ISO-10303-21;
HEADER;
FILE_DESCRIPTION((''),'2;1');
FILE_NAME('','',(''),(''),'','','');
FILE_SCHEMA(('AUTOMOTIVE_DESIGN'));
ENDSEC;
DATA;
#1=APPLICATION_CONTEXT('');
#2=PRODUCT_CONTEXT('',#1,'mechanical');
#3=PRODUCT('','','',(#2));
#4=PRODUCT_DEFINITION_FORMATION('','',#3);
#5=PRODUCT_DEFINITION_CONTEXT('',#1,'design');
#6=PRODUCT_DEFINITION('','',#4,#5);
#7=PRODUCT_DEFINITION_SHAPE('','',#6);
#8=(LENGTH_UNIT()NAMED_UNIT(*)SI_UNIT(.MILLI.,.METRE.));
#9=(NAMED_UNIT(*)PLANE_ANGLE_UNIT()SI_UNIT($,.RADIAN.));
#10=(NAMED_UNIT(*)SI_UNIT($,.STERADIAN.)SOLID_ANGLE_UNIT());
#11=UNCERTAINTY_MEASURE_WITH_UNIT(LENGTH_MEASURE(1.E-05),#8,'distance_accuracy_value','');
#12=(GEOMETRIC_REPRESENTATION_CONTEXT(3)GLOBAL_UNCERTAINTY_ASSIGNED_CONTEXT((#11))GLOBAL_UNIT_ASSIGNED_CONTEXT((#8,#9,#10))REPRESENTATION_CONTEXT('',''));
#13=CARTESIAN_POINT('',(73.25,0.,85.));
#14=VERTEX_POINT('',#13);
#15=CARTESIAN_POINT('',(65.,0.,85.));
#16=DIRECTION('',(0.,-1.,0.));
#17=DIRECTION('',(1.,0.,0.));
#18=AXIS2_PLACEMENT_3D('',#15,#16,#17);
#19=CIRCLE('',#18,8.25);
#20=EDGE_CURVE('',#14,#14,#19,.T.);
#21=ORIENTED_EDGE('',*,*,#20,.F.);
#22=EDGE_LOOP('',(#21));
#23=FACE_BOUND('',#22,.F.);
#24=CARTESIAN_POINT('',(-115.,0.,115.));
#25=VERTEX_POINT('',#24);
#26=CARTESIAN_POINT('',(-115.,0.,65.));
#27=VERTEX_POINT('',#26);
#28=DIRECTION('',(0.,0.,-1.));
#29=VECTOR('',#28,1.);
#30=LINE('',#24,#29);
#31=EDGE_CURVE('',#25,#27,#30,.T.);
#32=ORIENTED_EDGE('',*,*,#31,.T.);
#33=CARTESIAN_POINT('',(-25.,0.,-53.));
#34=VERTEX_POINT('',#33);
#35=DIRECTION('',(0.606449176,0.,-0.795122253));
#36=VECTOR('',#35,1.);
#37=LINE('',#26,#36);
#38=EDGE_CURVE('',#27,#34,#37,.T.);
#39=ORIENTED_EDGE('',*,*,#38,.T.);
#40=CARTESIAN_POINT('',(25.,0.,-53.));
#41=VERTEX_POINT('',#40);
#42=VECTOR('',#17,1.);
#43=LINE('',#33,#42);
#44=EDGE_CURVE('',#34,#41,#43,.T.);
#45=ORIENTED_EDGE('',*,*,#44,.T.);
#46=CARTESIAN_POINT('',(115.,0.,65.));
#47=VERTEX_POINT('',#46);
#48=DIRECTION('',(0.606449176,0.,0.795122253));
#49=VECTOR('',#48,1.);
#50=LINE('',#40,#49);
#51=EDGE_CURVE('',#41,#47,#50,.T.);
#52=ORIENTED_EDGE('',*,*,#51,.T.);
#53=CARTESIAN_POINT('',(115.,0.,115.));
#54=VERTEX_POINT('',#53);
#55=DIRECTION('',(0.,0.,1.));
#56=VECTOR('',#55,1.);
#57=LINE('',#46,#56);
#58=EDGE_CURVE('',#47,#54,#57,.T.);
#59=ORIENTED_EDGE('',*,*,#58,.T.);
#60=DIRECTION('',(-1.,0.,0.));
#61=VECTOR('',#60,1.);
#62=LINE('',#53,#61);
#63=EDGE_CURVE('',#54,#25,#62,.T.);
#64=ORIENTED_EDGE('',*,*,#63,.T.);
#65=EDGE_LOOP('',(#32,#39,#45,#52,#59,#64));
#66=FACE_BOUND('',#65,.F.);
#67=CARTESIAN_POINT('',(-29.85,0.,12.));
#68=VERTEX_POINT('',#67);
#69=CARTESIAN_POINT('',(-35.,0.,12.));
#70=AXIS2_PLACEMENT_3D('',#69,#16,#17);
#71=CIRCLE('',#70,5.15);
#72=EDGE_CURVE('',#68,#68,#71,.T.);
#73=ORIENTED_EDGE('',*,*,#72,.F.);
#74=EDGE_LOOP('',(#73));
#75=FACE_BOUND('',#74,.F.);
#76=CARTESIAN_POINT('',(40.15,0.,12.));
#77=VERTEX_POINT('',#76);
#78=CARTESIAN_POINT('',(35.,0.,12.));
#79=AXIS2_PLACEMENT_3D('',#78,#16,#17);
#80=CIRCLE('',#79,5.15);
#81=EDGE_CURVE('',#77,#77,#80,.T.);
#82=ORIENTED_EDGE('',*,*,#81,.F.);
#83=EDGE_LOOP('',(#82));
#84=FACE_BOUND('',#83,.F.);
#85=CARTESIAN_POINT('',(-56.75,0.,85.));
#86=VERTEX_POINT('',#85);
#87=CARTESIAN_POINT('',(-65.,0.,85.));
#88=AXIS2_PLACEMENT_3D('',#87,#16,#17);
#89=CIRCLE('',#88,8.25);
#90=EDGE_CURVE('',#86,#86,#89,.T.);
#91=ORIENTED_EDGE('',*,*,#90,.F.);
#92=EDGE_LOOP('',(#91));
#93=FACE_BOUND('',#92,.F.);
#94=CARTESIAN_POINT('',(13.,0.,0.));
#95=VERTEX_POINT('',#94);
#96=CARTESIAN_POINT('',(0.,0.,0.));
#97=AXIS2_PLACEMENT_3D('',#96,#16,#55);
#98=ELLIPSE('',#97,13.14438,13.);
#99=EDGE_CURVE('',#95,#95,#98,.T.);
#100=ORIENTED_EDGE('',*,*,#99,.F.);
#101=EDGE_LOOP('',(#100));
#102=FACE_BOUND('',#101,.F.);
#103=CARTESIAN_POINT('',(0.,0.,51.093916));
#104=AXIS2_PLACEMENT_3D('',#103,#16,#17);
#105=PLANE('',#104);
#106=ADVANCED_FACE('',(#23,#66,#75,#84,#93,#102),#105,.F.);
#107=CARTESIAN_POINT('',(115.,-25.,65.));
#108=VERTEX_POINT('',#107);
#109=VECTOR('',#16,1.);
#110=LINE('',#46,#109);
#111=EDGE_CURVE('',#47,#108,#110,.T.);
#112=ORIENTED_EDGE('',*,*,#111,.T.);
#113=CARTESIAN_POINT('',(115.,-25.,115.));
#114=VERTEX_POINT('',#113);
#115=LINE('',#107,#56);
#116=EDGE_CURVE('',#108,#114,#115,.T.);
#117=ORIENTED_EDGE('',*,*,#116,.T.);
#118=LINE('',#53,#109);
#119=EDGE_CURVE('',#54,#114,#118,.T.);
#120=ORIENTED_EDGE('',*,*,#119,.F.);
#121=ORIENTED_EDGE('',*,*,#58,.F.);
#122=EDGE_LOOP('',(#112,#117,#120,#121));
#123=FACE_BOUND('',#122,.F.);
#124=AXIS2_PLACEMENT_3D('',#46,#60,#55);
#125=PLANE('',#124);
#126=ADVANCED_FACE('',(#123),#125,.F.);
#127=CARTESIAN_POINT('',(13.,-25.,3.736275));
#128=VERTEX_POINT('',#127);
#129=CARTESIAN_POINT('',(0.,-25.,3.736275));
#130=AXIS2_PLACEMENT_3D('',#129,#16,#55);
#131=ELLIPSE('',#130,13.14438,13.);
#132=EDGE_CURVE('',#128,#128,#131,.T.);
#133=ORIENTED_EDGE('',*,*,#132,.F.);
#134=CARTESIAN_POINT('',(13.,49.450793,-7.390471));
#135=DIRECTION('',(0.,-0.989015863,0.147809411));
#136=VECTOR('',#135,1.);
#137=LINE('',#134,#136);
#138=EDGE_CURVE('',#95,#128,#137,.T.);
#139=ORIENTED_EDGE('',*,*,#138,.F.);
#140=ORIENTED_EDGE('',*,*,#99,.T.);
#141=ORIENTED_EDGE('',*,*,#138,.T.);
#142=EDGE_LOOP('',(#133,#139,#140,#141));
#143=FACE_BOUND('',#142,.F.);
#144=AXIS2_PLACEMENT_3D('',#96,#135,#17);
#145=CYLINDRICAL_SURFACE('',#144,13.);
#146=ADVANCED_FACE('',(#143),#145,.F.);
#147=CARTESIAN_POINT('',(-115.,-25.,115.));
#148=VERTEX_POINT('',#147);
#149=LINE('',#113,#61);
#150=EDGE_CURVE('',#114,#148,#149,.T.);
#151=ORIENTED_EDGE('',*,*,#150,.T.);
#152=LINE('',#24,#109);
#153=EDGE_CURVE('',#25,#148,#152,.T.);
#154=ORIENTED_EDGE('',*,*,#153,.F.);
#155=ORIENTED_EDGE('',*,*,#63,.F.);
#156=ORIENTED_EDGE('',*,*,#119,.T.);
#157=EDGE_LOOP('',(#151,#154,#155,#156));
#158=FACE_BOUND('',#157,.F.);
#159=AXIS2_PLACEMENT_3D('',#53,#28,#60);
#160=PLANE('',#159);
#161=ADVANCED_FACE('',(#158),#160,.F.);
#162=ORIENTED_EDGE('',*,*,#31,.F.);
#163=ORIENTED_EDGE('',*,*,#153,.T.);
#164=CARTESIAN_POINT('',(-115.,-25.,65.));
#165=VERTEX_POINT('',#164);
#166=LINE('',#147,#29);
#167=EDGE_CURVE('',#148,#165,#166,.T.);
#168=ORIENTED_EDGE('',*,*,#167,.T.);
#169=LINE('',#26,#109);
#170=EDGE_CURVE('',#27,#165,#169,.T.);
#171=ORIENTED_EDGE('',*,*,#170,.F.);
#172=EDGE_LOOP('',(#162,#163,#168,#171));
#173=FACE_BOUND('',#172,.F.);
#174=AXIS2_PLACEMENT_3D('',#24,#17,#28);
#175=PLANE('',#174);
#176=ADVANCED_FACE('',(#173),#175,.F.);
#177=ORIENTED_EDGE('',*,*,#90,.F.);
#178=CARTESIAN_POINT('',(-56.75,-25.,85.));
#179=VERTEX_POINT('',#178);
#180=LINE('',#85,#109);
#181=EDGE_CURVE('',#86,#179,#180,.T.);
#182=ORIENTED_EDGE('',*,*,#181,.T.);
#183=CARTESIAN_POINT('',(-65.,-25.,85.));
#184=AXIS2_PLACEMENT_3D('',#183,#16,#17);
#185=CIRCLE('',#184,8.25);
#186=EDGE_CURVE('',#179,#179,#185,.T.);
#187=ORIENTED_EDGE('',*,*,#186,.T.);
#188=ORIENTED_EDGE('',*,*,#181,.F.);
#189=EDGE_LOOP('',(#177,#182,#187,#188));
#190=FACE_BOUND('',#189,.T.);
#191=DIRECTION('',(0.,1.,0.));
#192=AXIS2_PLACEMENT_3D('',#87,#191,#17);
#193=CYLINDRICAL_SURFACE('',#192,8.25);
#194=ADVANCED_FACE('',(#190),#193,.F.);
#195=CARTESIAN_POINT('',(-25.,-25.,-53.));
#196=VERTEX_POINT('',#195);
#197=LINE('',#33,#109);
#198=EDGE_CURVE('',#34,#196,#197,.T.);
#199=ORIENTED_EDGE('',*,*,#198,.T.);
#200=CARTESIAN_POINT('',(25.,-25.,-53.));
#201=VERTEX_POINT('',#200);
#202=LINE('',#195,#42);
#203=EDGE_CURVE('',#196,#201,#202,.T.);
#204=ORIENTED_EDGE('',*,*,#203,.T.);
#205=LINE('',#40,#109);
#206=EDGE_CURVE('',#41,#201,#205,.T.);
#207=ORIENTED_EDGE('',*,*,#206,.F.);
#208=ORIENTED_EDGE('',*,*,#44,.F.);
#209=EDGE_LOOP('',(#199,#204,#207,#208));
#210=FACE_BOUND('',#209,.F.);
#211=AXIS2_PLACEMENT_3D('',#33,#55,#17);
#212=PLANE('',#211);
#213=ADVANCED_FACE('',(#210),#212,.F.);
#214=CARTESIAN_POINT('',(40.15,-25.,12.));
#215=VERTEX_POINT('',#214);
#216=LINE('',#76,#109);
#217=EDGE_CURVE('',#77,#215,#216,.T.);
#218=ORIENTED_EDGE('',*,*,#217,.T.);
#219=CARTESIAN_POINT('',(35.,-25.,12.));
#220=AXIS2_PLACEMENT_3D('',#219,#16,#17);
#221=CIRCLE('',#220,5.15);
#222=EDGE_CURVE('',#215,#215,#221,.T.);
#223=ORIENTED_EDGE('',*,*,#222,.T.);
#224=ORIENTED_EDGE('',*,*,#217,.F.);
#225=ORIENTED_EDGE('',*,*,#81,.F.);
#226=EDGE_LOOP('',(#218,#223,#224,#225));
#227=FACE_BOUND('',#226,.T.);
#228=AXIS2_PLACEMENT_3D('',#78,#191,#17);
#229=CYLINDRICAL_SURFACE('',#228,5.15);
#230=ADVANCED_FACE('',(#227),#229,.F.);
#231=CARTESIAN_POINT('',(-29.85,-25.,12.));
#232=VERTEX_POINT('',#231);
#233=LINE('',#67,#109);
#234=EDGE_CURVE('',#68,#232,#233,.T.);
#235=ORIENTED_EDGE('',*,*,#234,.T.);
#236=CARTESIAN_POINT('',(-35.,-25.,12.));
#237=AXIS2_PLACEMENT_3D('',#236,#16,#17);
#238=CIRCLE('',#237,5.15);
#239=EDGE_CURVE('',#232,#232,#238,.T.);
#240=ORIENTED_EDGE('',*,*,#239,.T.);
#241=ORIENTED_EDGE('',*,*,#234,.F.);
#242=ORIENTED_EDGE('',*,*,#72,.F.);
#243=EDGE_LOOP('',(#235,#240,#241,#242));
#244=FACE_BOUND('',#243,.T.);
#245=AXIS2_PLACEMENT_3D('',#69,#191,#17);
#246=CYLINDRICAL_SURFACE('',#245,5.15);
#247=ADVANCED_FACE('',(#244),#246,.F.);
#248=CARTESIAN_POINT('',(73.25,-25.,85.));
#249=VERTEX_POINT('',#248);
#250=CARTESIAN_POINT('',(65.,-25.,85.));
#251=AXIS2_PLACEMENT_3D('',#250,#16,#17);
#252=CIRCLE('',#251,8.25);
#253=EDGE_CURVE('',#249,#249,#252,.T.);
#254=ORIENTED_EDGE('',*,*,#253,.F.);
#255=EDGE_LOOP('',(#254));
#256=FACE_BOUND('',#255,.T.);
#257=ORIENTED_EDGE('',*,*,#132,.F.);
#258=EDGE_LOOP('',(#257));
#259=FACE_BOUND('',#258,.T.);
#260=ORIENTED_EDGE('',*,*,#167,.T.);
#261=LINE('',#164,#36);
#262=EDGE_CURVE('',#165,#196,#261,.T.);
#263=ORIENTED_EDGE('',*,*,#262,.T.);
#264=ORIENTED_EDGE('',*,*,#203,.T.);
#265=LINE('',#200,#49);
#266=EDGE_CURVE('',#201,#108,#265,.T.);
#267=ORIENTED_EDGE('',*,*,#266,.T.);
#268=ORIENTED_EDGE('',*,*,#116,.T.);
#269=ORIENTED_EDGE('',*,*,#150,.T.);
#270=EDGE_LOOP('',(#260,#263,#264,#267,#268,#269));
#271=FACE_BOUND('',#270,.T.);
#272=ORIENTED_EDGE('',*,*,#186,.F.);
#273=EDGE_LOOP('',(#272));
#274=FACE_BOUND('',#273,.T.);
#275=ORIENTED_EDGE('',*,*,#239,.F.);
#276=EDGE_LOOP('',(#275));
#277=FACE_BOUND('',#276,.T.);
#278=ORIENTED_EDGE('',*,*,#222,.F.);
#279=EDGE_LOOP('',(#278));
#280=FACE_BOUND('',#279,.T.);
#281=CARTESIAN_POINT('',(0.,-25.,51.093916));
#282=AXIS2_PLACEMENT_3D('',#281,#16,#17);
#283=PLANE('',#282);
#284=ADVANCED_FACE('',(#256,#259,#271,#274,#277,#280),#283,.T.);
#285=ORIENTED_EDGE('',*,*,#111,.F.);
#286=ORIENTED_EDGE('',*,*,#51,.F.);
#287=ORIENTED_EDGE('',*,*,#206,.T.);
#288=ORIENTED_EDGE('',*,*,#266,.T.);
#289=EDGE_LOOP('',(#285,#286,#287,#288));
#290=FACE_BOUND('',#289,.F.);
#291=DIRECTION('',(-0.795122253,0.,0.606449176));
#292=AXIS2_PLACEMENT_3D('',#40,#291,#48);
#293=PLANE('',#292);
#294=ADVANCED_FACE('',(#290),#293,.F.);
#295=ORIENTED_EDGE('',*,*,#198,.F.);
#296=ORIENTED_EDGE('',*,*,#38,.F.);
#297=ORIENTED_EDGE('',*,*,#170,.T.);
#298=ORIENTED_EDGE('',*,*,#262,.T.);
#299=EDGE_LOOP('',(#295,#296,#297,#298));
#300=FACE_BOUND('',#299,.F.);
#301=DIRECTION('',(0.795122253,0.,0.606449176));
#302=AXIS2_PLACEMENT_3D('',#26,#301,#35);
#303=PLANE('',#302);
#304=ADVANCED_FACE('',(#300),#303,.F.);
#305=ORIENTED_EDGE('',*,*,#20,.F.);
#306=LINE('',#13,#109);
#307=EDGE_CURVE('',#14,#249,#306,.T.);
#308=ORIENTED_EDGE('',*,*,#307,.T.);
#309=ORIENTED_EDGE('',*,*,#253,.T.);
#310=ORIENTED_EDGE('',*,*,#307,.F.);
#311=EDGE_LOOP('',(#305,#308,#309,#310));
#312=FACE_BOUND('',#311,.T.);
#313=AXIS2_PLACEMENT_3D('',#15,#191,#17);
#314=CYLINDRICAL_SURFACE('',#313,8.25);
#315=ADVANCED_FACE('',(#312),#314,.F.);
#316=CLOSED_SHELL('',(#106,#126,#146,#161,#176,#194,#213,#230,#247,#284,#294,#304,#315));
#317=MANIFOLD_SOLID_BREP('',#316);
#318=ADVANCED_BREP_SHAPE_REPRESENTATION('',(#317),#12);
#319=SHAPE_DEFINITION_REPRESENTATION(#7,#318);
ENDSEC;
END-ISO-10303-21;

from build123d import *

# Parameters (mm, degrees)
F0_R     = 13
F0_R_2   = 5.15
F0_R_3   = 8.25
F1_DEPTH = 25
F4_R     = 13
F5_DEPTH = 50


with BuildPart() as f1:
    # F0 (on Front) → F1 (new body)
    with BuildSketch(Plane.XZ):
        Polygon((-115, 65), (-25, -53), (25, -53), (115, 65), (115, 115), (-115, 115), align=None)
        Circle(F0_R, mode=Mode.SUBTRACT)
        with Locations((-35, 12)):
            Circle(F0_R_2, mode=Mode.SUBTRACT)
        with Locations((35, 12)):
            Circle(F0_R_2, mode=Mode.SUBTRACT)
        with Locations((-65, 85)):
            Circle(F0_R_3, mode=Mode.SUBTRACT)
        with Locations((65, 85)):
            Circle(F0_R_3, mode=Mode.SUBTRACT)
        Circle(F0_R)
    extrude(amount=F1_DEPTH)

    # F4 (on face) → F5 (cut, symmetric)
    with BuildSketch(Plane(origin=(0, 0, 0), x_dir=(1, 0, 0), z_dir=(0, -0.9890158634, 0.1478094111))):
        Circle(F4_R)
    extrude(amount=F5_DEPTH, both=True, mode=Mode.SUBTRACT)


solid = f1.part
